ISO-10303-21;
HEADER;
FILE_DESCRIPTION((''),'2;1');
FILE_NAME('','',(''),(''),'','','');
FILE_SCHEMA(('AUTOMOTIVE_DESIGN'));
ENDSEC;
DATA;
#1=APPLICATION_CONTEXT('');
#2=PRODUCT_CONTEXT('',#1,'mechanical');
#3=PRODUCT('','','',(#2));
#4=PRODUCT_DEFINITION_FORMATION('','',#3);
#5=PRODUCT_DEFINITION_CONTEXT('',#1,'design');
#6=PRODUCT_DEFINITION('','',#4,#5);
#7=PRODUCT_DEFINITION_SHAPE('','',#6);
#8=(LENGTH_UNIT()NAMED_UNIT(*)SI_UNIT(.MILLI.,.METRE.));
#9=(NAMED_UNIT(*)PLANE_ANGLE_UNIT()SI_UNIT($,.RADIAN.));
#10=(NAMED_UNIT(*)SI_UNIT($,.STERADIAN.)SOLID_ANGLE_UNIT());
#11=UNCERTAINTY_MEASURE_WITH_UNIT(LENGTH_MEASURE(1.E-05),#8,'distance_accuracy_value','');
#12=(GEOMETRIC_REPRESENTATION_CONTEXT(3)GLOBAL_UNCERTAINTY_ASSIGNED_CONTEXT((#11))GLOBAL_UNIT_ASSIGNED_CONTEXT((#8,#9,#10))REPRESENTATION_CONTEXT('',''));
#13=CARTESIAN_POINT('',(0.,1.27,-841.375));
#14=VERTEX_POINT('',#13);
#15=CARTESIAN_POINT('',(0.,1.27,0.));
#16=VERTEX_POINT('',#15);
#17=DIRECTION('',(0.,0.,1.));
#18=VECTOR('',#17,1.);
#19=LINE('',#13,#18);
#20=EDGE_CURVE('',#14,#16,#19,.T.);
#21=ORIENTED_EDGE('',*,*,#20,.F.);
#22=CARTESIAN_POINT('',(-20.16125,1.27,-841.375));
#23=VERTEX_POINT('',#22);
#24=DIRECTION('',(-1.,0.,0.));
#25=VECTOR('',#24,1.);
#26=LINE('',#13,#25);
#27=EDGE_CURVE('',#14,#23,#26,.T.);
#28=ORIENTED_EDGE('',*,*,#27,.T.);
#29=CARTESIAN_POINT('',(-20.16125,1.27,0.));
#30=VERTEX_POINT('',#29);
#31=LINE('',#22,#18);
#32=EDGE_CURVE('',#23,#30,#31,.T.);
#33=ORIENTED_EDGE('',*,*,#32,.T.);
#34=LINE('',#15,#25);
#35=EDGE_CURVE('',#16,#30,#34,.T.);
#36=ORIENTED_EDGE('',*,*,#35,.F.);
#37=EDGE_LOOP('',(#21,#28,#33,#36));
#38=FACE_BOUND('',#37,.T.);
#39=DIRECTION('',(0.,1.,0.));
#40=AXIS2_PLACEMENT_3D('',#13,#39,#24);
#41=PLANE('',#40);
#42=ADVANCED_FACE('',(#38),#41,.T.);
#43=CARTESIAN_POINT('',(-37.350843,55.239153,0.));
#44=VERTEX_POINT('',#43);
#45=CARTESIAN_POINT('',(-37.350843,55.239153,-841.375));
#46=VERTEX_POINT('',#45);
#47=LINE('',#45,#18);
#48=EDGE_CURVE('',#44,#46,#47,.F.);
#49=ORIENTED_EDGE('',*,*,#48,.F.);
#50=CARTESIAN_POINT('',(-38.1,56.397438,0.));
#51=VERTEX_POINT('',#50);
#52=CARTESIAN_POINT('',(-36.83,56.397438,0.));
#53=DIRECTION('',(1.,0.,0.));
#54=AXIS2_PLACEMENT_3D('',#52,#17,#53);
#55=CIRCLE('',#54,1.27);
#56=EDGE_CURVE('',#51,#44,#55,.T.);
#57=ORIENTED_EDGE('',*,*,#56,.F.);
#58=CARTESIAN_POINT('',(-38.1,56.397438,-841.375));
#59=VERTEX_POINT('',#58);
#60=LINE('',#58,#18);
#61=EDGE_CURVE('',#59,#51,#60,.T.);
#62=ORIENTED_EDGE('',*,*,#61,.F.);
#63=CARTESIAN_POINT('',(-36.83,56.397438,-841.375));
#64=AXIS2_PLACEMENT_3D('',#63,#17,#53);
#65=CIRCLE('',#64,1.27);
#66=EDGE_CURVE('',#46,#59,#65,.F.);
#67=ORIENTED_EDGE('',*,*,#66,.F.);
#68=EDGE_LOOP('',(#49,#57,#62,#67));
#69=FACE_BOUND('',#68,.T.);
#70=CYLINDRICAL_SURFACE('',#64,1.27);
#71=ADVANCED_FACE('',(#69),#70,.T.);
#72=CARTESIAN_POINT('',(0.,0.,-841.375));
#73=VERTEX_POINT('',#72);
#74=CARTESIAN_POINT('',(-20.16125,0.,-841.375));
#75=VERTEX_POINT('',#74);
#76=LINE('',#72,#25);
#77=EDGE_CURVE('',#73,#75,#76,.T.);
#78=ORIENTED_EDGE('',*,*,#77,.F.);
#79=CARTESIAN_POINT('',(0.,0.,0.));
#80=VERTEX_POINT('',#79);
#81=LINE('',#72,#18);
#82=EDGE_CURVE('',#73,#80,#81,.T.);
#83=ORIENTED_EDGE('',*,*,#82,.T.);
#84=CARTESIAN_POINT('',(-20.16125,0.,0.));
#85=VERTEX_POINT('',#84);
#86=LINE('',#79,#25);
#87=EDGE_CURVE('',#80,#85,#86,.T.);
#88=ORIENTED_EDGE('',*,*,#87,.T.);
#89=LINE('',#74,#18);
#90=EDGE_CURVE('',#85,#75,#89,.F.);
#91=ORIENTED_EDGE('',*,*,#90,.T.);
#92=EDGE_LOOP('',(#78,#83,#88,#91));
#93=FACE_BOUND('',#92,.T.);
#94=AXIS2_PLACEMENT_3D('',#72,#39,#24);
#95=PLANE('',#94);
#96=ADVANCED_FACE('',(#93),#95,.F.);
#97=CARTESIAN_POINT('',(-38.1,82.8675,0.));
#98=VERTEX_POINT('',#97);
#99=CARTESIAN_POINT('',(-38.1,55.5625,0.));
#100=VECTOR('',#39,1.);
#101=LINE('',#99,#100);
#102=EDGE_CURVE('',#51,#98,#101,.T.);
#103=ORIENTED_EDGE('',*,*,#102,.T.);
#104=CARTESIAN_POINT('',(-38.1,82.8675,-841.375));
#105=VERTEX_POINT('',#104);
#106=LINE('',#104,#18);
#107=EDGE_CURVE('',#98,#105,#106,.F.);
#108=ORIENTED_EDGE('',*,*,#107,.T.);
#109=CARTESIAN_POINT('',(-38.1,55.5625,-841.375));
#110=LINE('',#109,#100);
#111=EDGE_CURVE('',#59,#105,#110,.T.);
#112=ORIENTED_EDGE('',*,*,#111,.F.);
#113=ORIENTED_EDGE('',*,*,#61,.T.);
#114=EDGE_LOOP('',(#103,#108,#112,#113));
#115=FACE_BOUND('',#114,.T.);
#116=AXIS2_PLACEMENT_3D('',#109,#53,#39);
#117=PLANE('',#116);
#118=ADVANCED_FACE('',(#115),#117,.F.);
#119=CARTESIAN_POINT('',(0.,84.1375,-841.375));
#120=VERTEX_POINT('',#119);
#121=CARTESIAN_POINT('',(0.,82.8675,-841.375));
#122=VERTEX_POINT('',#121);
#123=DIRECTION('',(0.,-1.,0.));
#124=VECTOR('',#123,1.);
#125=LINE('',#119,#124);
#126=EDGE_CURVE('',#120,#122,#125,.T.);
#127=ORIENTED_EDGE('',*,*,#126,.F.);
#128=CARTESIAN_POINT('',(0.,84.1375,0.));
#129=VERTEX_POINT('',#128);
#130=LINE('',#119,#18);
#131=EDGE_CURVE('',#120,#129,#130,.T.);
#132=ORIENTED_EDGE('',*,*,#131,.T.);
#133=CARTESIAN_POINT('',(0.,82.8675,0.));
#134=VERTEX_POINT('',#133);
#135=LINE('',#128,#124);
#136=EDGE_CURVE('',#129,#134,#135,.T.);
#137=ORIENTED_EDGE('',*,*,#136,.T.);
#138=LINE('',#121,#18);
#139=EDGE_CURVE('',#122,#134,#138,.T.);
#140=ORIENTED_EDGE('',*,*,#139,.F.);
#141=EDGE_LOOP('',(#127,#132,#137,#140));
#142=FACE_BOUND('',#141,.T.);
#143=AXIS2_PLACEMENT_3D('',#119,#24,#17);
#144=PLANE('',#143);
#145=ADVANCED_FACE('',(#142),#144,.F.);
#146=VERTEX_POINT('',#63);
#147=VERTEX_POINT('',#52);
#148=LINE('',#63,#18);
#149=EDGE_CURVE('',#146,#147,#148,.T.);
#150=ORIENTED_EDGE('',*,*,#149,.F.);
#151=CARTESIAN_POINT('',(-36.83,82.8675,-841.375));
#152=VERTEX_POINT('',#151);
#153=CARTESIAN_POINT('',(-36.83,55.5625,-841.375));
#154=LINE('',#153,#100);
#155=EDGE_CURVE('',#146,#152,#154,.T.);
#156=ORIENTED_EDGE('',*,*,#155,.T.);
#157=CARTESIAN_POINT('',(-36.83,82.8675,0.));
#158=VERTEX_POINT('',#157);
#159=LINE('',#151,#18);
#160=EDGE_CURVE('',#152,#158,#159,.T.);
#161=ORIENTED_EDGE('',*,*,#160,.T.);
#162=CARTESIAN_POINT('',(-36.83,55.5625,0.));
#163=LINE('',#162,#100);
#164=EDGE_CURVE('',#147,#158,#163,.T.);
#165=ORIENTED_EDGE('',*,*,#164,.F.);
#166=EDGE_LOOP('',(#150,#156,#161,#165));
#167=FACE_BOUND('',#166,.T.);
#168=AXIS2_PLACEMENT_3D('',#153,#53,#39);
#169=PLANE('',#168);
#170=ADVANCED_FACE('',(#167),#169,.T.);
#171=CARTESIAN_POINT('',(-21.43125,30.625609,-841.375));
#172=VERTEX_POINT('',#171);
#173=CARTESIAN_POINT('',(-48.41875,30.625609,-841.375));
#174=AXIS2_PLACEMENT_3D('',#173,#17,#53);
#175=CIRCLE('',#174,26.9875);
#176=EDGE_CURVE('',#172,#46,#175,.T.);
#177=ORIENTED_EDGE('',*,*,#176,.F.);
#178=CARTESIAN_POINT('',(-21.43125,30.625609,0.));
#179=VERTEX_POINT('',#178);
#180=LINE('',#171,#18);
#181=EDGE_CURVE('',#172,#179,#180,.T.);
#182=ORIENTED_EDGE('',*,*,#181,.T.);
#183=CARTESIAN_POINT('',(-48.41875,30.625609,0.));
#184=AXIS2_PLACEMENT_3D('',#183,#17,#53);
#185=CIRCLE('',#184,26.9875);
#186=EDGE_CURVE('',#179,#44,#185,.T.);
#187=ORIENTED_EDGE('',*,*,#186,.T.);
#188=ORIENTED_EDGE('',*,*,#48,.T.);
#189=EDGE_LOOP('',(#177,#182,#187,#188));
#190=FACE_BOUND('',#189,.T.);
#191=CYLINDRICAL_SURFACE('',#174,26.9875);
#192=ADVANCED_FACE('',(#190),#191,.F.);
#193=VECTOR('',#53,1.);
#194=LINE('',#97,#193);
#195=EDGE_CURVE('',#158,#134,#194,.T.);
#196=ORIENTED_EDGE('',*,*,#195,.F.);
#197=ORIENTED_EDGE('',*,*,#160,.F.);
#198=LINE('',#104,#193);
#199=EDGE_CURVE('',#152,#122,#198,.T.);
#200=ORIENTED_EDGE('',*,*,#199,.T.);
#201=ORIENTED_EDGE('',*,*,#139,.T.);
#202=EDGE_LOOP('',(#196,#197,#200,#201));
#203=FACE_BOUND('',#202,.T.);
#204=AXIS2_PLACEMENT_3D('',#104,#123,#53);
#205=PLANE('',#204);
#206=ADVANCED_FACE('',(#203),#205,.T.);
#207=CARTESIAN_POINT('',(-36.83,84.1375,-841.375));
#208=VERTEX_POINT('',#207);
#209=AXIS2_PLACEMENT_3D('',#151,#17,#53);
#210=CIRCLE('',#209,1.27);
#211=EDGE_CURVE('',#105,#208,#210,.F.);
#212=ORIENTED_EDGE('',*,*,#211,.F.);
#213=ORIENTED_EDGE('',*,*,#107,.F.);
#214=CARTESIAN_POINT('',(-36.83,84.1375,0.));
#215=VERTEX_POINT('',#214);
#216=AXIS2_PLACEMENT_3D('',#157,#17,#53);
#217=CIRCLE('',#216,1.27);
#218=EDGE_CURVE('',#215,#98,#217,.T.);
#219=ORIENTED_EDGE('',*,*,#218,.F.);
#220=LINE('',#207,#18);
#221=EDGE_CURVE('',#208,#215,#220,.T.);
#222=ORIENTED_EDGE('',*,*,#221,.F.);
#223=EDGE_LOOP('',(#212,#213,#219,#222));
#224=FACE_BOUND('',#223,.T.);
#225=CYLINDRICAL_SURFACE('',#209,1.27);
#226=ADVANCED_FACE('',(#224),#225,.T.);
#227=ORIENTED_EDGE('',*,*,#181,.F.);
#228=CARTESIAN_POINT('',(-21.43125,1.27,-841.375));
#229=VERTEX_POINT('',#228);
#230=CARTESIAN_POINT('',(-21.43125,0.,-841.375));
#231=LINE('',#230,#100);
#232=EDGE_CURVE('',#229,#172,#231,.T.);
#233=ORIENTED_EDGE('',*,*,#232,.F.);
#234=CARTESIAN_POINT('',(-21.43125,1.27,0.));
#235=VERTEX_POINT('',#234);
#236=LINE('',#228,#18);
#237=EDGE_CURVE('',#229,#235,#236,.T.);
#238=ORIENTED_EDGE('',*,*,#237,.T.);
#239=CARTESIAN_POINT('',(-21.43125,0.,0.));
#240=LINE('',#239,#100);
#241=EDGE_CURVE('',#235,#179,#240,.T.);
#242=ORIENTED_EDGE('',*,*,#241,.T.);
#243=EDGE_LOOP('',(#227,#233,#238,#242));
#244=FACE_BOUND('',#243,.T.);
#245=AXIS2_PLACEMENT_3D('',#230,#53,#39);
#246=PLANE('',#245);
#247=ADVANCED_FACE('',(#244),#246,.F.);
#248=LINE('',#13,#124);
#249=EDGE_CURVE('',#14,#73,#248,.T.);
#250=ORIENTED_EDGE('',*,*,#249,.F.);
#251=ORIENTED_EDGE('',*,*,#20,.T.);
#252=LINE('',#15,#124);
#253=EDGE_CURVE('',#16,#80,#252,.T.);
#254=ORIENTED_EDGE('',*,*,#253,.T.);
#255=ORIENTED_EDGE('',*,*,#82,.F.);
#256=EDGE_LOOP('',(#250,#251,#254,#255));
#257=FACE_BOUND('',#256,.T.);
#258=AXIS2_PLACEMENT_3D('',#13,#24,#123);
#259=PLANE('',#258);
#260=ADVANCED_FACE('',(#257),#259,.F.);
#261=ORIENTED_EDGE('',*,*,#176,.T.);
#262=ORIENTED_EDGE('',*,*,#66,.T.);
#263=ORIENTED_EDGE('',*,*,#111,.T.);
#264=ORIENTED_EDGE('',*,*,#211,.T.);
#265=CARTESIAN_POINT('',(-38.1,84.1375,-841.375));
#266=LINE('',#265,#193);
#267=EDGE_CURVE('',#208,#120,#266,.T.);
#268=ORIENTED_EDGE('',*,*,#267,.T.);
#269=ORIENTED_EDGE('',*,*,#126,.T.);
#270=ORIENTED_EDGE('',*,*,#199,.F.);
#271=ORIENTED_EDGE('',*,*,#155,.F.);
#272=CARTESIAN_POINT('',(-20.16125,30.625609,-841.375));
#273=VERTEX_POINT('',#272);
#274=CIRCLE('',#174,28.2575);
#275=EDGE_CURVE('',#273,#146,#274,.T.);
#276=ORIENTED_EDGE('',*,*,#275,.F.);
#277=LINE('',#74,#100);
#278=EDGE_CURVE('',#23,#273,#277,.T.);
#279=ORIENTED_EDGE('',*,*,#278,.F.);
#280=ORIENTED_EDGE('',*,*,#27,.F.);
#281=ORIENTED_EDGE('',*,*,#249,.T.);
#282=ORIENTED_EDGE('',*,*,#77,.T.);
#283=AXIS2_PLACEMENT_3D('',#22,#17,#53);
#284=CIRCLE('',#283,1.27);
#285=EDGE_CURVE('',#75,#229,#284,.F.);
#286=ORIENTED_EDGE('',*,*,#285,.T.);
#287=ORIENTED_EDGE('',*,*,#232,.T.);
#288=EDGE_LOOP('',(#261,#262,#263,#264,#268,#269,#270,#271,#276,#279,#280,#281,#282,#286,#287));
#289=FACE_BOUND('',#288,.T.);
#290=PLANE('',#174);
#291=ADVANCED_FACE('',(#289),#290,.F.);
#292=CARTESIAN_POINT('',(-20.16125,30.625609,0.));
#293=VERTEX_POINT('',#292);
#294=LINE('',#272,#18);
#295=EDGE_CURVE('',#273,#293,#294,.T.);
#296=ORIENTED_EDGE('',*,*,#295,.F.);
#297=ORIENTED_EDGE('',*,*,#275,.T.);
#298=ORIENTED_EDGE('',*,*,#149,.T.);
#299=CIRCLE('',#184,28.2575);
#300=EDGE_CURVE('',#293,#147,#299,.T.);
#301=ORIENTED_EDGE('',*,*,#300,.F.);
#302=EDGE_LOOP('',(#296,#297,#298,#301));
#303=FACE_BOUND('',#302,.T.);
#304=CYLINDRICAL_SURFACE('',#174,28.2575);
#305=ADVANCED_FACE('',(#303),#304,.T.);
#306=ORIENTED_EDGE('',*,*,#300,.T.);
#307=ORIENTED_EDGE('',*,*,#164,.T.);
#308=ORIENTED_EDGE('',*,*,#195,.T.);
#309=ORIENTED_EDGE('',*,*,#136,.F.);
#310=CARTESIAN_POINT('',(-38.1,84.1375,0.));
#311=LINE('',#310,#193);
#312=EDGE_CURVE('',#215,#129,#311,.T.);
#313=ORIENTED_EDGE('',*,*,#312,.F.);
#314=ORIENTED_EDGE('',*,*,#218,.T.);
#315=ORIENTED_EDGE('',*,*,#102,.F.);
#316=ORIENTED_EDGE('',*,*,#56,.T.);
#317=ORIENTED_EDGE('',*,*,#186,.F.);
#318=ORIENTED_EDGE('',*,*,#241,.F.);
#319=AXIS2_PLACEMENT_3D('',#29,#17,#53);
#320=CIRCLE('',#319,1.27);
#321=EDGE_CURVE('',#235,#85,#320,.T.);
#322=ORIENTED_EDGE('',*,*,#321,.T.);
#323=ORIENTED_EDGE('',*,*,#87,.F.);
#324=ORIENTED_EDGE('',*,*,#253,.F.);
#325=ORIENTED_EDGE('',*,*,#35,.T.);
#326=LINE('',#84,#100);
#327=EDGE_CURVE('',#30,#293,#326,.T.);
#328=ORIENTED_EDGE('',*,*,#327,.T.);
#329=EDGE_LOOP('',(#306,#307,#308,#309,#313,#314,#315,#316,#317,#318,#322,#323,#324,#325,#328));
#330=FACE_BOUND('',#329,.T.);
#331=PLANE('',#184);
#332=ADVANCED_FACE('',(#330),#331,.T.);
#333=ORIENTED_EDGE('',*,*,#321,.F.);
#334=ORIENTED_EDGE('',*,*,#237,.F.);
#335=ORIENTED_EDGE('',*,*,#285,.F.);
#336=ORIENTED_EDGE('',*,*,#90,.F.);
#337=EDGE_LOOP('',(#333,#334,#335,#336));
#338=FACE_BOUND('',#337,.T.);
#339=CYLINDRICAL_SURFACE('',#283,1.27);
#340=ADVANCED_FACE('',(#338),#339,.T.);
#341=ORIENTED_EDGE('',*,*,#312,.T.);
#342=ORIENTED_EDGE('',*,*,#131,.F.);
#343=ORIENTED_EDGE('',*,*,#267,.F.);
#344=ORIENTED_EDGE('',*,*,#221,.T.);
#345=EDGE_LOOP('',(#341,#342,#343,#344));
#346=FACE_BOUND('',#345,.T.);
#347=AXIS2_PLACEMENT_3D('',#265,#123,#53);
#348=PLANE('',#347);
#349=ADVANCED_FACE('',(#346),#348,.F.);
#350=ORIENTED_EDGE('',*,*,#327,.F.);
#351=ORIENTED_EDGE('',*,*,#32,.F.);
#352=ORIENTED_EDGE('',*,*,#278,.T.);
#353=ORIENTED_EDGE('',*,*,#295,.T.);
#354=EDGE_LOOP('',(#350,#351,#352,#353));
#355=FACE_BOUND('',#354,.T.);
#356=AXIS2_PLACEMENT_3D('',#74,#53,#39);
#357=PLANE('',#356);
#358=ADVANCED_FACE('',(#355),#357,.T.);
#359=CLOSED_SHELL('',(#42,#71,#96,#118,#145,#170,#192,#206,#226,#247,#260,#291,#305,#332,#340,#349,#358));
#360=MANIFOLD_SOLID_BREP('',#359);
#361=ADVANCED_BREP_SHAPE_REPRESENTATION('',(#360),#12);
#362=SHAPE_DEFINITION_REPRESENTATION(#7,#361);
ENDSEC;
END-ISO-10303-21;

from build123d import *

# Parameters (mm, degrees)
EXTRUDE_THIN1_DEPTH = 841.375
FILLET1_R           = 1.27


with BuildPart() as part:
    # Sketch1 → Extrude-Thin1 (new body)
    with BuildSketch(Plane.XY):
        with BuildLine():
            Line((0, 0), (-21.43125, 0))
            Line((-21.43125, 0), (-21.43125, 30.62560856))
            ThreePointArc((-21.43125, 30.62560856), (-25.982145735, 45.62307319), (-38.1, 55.5625))
            Line((-38.1, 55.5625), (-38.1, 84.1375))
            Line((-38.1, 84.1375), (0, 84.1375))
            Line((0, 84.1375), (0, 82.8675))
            Line((0, 82.8675), (-36.83, 82.8675))
            Line((-36.83, 82.8675), (-36.83, 56.397437748))
            ThreePointArc((-36.83, 56.397437748), (-24.691598787, 45.971898065), (-20.16125, 30.62560856))
            Line((-20.16125, 30.62560856), (-20.16125, 1.27))
            Line((-20.16125, 1.27), (0, 1.27))
            Line((0, 1.27), (0, 0))
        make_face()
    extrude(amount=-EXTRUDE_THIN1_DEPTH)

    # Fillet1
    fillet1_edges = [part.edges().sort_by_distance(p)[0] for p in [
        (-21.43125, 0, -420.6875),
        (-38.1, 55.5625, -420.6875),
        (-38.1, 84.1375, -420.6875),
    ]]
    fillet(fillet1_edges, radius=FILLET1_R)


solid = part.part
